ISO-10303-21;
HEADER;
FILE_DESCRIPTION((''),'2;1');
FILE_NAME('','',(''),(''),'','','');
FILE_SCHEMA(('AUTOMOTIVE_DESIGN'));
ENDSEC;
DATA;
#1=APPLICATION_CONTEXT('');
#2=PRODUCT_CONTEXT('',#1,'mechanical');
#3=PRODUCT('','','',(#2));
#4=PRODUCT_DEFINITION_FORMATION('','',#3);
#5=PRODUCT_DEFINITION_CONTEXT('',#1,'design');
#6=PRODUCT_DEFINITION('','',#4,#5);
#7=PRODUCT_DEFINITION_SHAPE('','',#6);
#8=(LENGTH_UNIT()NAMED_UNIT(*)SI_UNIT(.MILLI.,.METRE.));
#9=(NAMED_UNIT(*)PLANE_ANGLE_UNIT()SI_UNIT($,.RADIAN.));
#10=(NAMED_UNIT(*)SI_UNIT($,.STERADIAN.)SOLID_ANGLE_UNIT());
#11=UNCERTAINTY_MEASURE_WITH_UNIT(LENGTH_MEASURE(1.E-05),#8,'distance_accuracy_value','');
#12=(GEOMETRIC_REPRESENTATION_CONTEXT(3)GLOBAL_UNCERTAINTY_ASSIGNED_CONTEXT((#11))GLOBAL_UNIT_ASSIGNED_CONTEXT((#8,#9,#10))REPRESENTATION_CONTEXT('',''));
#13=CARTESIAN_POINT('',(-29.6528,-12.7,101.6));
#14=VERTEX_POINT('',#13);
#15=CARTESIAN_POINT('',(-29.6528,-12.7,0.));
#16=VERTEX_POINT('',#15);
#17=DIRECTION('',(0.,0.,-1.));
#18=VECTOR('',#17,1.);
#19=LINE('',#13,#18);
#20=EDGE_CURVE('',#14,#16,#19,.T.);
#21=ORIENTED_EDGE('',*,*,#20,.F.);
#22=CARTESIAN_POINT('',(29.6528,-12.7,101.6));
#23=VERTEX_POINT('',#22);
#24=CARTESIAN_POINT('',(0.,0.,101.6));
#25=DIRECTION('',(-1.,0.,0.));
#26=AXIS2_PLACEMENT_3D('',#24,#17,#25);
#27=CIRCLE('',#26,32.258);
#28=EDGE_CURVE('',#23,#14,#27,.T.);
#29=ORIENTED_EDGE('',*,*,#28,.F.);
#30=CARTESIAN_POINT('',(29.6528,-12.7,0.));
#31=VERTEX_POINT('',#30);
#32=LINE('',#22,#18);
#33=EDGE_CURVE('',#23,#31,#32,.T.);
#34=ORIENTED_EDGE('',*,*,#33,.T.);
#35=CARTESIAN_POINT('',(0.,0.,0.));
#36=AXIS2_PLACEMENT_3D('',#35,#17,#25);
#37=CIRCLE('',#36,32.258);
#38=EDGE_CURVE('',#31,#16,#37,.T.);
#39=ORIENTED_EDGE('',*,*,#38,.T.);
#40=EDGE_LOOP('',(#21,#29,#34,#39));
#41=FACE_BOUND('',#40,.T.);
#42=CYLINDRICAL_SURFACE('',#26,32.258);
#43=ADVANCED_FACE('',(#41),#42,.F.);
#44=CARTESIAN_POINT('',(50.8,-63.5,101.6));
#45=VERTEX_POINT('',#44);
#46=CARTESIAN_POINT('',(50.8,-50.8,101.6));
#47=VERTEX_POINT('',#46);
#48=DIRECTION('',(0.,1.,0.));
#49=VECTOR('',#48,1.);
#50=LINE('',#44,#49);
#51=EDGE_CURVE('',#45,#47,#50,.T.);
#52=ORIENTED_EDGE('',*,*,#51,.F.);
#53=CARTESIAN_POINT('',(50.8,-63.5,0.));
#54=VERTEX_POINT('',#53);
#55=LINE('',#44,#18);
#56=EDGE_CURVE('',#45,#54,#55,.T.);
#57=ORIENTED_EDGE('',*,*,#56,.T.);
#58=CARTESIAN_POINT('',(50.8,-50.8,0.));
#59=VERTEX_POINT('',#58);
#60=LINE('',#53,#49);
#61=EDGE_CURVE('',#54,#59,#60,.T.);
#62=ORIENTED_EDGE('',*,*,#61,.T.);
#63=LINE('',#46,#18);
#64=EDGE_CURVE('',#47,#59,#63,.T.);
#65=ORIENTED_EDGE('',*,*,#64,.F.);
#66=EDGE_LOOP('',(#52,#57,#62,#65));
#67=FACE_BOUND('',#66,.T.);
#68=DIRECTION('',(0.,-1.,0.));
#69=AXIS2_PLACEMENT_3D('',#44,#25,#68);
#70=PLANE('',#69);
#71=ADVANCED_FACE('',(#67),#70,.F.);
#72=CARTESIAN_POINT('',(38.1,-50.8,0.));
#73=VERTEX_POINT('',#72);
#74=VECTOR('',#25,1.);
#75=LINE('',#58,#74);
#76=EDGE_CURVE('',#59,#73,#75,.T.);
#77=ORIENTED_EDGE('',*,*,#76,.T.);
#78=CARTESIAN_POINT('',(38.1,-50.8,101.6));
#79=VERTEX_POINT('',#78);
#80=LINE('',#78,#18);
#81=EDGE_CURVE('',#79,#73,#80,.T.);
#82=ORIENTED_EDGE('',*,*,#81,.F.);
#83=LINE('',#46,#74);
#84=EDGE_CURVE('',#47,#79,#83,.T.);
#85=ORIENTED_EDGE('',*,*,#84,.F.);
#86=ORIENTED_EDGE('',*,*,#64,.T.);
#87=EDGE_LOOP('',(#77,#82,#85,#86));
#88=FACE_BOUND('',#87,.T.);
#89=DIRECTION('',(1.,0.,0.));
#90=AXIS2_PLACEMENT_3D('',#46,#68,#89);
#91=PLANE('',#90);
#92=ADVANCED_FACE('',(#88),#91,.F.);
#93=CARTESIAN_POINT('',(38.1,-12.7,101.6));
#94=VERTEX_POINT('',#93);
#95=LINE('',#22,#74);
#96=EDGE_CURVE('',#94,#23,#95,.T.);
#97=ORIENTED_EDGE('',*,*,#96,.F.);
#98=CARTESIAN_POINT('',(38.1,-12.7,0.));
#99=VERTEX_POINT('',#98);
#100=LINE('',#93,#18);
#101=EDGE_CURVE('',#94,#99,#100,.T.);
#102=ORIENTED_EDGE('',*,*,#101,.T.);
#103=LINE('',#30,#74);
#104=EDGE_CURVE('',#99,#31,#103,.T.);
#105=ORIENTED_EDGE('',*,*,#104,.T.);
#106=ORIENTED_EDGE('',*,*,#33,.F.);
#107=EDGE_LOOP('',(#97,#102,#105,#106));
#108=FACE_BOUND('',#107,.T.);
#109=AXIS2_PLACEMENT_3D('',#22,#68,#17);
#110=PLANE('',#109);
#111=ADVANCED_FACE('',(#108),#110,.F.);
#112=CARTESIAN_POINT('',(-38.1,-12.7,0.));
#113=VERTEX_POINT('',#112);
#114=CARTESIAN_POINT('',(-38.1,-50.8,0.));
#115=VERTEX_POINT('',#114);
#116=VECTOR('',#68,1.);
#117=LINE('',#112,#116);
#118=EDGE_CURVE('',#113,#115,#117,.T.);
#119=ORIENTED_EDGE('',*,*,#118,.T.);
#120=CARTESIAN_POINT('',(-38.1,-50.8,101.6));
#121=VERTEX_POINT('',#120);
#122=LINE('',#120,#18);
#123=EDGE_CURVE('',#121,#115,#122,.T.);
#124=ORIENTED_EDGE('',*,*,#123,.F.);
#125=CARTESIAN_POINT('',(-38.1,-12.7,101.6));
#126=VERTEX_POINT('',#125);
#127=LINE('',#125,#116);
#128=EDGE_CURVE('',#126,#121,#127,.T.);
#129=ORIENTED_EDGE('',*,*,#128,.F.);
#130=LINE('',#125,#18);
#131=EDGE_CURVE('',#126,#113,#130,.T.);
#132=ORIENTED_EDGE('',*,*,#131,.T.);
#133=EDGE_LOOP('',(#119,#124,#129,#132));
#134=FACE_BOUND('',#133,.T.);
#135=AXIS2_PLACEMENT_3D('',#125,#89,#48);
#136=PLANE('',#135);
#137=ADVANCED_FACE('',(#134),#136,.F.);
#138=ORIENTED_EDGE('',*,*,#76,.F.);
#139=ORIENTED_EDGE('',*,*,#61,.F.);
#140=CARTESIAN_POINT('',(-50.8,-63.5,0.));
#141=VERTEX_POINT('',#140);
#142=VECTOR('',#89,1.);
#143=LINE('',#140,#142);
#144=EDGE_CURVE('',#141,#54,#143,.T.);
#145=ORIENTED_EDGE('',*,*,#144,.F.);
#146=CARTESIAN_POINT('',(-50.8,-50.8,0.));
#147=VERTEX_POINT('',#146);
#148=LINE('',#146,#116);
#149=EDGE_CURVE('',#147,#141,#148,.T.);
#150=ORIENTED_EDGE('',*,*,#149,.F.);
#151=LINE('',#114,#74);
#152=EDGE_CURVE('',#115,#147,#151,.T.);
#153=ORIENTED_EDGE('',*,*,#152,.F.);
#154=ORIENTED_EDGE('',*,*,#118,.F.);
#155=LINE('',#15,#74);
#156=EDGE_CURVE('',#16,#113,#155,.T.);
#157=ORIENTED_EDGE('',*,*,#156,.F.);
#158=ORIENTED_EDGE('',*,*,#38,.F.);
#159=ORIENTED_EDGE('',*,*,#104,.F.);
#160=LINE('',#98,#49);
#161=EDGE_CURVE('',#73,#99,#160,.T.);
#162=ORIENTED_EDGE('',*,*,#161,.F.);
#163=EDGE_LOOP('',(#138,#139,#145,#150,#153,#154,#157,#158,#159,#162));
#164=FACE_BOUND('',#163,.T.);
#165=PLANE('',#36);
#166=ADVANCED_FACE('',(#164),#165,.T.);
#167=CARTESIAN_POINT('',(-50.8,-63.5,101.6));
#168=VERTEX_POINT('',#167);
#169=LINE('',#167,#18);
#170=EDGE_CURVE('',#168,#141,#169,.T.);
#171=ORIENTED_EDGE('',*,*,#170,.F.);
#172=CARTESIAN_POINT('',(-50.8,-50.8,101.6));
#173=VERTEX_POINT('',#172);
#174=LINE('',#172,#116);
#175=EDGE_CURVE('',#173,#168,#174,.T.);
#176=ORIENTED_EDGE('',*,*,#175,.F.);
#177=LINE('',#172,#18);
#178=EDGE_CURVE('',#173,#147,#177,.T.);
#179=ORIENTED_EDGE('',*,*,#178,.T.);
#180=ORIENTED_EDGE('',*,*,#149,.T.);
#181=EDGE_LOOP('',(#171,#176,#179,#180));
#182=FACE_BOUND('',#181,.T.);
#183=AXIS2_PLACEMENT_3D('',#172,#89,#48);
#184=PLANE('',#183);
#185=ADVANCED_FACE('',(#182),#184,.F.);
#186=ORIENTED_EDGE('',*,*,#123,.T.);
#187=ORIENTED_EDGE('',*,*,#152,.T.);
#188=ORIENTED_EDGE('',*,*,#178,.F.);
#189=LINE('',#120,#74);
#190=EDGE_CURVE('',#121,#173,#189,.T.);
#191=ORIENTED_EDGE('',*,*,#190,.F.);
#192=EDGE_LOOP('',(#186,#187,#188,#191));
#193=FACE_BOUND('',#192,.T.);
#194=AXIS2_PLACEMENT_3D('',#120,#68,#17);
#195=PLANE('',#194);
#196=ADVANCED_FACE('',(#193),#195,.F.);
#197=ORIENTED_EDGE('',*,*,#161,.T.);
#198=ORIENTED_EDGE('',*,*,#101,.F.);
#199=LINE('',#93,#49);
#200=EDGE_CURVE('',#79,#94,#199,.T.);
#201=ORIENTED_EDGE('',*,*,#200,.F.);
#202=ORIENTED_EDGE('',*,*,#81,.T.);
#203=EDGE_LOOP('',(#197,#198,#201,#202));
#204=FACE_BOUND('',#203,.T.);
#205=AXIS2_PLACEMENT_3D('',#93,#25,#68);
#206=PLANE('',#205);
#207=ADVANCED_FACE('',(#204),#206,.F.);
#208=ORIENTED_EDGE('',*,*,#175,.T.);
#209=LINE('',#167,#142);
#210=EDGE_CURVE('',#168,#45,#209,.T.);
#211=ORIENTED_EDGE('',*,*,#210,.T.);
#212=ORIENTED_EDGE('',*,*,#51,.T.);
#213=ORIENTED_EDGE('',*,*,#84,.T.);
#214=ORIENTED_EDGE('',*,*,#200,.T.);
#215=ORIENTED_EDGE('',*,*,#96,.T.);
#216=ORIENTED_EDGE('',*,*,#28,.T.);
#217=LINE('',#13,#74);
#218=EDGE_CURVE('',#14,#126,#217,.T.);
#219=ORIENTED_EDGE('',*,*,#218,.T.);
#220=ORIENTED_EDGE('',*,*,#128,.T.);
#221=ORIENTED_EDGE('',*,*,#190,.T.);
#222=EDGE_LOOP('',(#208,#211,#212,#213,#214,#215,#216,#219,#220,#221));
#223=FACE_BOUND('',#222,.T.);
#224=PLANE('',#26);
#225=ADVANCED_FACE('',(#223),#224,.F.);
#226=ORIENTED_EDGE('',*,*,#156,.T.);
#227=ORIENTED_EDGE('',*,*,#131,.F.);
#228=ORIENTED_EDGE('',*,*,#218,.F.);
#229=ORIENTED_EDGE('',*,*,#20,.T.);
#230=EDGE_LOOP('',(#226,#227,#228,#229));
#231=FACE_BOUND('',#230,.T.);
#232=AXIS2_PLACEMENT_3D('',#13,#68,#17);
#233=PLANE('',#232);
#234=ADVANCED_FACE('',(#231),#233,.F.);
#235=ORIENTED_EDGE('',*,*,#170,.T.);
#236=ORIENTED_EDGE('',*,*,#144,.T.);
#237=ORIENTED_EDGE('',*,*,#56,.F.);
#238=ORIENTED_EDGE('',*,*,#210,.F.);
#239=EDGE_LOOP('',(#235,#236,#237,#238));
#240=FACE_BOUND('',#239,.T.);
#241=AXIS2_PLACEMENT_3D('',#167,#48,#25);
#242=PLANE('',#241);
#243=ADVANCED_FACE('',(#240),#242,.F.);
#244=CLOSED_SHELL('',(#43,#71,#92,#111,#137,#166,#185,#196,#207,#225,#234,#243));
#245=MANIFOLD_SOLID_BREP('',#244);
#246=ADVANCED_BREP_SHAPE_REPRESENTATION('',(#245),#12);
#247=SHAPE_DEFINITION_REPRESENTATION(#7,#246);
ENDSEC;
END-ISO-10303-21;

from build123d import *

# Parameters (mm, degrees)
BOSS_EXTRUDE1_DEPTH = 101.6


with BuildPart() as part:
    # Sketch1 → Boss-Extrude1 (new body)
    with BuildSketch(Plane.XY):
        with BuildLine():
            Line((-50.8, -63.5), (50.8, -63.5))
            Line((50.8, -63.5), (50.8, -50.8))
            Line((50.8, -50.8), (38.1, -50.8))
            Line((38.1, -50.8), (38.1, -12.7))
            Line((38.1, -12.7), (29.652800272, -12.7))
            ThreePointArc((29.652800272, -12.7), (0, -32.258), (-29.652800272, -12.7))
            Line((-29.652800272, -12.7), (-38.1, -12.7))
            Line((-38.1, -12.7), (-38.1, -50.8))
            Line((-38.1, -50.8), (-50.8, -50.8))
            Line((-50.8, -50.8), (-50.8, -63.5))
        make_face()
    extrude(amount=BOSS_EXTRUDE1_DEPTH)


solid = part.part
